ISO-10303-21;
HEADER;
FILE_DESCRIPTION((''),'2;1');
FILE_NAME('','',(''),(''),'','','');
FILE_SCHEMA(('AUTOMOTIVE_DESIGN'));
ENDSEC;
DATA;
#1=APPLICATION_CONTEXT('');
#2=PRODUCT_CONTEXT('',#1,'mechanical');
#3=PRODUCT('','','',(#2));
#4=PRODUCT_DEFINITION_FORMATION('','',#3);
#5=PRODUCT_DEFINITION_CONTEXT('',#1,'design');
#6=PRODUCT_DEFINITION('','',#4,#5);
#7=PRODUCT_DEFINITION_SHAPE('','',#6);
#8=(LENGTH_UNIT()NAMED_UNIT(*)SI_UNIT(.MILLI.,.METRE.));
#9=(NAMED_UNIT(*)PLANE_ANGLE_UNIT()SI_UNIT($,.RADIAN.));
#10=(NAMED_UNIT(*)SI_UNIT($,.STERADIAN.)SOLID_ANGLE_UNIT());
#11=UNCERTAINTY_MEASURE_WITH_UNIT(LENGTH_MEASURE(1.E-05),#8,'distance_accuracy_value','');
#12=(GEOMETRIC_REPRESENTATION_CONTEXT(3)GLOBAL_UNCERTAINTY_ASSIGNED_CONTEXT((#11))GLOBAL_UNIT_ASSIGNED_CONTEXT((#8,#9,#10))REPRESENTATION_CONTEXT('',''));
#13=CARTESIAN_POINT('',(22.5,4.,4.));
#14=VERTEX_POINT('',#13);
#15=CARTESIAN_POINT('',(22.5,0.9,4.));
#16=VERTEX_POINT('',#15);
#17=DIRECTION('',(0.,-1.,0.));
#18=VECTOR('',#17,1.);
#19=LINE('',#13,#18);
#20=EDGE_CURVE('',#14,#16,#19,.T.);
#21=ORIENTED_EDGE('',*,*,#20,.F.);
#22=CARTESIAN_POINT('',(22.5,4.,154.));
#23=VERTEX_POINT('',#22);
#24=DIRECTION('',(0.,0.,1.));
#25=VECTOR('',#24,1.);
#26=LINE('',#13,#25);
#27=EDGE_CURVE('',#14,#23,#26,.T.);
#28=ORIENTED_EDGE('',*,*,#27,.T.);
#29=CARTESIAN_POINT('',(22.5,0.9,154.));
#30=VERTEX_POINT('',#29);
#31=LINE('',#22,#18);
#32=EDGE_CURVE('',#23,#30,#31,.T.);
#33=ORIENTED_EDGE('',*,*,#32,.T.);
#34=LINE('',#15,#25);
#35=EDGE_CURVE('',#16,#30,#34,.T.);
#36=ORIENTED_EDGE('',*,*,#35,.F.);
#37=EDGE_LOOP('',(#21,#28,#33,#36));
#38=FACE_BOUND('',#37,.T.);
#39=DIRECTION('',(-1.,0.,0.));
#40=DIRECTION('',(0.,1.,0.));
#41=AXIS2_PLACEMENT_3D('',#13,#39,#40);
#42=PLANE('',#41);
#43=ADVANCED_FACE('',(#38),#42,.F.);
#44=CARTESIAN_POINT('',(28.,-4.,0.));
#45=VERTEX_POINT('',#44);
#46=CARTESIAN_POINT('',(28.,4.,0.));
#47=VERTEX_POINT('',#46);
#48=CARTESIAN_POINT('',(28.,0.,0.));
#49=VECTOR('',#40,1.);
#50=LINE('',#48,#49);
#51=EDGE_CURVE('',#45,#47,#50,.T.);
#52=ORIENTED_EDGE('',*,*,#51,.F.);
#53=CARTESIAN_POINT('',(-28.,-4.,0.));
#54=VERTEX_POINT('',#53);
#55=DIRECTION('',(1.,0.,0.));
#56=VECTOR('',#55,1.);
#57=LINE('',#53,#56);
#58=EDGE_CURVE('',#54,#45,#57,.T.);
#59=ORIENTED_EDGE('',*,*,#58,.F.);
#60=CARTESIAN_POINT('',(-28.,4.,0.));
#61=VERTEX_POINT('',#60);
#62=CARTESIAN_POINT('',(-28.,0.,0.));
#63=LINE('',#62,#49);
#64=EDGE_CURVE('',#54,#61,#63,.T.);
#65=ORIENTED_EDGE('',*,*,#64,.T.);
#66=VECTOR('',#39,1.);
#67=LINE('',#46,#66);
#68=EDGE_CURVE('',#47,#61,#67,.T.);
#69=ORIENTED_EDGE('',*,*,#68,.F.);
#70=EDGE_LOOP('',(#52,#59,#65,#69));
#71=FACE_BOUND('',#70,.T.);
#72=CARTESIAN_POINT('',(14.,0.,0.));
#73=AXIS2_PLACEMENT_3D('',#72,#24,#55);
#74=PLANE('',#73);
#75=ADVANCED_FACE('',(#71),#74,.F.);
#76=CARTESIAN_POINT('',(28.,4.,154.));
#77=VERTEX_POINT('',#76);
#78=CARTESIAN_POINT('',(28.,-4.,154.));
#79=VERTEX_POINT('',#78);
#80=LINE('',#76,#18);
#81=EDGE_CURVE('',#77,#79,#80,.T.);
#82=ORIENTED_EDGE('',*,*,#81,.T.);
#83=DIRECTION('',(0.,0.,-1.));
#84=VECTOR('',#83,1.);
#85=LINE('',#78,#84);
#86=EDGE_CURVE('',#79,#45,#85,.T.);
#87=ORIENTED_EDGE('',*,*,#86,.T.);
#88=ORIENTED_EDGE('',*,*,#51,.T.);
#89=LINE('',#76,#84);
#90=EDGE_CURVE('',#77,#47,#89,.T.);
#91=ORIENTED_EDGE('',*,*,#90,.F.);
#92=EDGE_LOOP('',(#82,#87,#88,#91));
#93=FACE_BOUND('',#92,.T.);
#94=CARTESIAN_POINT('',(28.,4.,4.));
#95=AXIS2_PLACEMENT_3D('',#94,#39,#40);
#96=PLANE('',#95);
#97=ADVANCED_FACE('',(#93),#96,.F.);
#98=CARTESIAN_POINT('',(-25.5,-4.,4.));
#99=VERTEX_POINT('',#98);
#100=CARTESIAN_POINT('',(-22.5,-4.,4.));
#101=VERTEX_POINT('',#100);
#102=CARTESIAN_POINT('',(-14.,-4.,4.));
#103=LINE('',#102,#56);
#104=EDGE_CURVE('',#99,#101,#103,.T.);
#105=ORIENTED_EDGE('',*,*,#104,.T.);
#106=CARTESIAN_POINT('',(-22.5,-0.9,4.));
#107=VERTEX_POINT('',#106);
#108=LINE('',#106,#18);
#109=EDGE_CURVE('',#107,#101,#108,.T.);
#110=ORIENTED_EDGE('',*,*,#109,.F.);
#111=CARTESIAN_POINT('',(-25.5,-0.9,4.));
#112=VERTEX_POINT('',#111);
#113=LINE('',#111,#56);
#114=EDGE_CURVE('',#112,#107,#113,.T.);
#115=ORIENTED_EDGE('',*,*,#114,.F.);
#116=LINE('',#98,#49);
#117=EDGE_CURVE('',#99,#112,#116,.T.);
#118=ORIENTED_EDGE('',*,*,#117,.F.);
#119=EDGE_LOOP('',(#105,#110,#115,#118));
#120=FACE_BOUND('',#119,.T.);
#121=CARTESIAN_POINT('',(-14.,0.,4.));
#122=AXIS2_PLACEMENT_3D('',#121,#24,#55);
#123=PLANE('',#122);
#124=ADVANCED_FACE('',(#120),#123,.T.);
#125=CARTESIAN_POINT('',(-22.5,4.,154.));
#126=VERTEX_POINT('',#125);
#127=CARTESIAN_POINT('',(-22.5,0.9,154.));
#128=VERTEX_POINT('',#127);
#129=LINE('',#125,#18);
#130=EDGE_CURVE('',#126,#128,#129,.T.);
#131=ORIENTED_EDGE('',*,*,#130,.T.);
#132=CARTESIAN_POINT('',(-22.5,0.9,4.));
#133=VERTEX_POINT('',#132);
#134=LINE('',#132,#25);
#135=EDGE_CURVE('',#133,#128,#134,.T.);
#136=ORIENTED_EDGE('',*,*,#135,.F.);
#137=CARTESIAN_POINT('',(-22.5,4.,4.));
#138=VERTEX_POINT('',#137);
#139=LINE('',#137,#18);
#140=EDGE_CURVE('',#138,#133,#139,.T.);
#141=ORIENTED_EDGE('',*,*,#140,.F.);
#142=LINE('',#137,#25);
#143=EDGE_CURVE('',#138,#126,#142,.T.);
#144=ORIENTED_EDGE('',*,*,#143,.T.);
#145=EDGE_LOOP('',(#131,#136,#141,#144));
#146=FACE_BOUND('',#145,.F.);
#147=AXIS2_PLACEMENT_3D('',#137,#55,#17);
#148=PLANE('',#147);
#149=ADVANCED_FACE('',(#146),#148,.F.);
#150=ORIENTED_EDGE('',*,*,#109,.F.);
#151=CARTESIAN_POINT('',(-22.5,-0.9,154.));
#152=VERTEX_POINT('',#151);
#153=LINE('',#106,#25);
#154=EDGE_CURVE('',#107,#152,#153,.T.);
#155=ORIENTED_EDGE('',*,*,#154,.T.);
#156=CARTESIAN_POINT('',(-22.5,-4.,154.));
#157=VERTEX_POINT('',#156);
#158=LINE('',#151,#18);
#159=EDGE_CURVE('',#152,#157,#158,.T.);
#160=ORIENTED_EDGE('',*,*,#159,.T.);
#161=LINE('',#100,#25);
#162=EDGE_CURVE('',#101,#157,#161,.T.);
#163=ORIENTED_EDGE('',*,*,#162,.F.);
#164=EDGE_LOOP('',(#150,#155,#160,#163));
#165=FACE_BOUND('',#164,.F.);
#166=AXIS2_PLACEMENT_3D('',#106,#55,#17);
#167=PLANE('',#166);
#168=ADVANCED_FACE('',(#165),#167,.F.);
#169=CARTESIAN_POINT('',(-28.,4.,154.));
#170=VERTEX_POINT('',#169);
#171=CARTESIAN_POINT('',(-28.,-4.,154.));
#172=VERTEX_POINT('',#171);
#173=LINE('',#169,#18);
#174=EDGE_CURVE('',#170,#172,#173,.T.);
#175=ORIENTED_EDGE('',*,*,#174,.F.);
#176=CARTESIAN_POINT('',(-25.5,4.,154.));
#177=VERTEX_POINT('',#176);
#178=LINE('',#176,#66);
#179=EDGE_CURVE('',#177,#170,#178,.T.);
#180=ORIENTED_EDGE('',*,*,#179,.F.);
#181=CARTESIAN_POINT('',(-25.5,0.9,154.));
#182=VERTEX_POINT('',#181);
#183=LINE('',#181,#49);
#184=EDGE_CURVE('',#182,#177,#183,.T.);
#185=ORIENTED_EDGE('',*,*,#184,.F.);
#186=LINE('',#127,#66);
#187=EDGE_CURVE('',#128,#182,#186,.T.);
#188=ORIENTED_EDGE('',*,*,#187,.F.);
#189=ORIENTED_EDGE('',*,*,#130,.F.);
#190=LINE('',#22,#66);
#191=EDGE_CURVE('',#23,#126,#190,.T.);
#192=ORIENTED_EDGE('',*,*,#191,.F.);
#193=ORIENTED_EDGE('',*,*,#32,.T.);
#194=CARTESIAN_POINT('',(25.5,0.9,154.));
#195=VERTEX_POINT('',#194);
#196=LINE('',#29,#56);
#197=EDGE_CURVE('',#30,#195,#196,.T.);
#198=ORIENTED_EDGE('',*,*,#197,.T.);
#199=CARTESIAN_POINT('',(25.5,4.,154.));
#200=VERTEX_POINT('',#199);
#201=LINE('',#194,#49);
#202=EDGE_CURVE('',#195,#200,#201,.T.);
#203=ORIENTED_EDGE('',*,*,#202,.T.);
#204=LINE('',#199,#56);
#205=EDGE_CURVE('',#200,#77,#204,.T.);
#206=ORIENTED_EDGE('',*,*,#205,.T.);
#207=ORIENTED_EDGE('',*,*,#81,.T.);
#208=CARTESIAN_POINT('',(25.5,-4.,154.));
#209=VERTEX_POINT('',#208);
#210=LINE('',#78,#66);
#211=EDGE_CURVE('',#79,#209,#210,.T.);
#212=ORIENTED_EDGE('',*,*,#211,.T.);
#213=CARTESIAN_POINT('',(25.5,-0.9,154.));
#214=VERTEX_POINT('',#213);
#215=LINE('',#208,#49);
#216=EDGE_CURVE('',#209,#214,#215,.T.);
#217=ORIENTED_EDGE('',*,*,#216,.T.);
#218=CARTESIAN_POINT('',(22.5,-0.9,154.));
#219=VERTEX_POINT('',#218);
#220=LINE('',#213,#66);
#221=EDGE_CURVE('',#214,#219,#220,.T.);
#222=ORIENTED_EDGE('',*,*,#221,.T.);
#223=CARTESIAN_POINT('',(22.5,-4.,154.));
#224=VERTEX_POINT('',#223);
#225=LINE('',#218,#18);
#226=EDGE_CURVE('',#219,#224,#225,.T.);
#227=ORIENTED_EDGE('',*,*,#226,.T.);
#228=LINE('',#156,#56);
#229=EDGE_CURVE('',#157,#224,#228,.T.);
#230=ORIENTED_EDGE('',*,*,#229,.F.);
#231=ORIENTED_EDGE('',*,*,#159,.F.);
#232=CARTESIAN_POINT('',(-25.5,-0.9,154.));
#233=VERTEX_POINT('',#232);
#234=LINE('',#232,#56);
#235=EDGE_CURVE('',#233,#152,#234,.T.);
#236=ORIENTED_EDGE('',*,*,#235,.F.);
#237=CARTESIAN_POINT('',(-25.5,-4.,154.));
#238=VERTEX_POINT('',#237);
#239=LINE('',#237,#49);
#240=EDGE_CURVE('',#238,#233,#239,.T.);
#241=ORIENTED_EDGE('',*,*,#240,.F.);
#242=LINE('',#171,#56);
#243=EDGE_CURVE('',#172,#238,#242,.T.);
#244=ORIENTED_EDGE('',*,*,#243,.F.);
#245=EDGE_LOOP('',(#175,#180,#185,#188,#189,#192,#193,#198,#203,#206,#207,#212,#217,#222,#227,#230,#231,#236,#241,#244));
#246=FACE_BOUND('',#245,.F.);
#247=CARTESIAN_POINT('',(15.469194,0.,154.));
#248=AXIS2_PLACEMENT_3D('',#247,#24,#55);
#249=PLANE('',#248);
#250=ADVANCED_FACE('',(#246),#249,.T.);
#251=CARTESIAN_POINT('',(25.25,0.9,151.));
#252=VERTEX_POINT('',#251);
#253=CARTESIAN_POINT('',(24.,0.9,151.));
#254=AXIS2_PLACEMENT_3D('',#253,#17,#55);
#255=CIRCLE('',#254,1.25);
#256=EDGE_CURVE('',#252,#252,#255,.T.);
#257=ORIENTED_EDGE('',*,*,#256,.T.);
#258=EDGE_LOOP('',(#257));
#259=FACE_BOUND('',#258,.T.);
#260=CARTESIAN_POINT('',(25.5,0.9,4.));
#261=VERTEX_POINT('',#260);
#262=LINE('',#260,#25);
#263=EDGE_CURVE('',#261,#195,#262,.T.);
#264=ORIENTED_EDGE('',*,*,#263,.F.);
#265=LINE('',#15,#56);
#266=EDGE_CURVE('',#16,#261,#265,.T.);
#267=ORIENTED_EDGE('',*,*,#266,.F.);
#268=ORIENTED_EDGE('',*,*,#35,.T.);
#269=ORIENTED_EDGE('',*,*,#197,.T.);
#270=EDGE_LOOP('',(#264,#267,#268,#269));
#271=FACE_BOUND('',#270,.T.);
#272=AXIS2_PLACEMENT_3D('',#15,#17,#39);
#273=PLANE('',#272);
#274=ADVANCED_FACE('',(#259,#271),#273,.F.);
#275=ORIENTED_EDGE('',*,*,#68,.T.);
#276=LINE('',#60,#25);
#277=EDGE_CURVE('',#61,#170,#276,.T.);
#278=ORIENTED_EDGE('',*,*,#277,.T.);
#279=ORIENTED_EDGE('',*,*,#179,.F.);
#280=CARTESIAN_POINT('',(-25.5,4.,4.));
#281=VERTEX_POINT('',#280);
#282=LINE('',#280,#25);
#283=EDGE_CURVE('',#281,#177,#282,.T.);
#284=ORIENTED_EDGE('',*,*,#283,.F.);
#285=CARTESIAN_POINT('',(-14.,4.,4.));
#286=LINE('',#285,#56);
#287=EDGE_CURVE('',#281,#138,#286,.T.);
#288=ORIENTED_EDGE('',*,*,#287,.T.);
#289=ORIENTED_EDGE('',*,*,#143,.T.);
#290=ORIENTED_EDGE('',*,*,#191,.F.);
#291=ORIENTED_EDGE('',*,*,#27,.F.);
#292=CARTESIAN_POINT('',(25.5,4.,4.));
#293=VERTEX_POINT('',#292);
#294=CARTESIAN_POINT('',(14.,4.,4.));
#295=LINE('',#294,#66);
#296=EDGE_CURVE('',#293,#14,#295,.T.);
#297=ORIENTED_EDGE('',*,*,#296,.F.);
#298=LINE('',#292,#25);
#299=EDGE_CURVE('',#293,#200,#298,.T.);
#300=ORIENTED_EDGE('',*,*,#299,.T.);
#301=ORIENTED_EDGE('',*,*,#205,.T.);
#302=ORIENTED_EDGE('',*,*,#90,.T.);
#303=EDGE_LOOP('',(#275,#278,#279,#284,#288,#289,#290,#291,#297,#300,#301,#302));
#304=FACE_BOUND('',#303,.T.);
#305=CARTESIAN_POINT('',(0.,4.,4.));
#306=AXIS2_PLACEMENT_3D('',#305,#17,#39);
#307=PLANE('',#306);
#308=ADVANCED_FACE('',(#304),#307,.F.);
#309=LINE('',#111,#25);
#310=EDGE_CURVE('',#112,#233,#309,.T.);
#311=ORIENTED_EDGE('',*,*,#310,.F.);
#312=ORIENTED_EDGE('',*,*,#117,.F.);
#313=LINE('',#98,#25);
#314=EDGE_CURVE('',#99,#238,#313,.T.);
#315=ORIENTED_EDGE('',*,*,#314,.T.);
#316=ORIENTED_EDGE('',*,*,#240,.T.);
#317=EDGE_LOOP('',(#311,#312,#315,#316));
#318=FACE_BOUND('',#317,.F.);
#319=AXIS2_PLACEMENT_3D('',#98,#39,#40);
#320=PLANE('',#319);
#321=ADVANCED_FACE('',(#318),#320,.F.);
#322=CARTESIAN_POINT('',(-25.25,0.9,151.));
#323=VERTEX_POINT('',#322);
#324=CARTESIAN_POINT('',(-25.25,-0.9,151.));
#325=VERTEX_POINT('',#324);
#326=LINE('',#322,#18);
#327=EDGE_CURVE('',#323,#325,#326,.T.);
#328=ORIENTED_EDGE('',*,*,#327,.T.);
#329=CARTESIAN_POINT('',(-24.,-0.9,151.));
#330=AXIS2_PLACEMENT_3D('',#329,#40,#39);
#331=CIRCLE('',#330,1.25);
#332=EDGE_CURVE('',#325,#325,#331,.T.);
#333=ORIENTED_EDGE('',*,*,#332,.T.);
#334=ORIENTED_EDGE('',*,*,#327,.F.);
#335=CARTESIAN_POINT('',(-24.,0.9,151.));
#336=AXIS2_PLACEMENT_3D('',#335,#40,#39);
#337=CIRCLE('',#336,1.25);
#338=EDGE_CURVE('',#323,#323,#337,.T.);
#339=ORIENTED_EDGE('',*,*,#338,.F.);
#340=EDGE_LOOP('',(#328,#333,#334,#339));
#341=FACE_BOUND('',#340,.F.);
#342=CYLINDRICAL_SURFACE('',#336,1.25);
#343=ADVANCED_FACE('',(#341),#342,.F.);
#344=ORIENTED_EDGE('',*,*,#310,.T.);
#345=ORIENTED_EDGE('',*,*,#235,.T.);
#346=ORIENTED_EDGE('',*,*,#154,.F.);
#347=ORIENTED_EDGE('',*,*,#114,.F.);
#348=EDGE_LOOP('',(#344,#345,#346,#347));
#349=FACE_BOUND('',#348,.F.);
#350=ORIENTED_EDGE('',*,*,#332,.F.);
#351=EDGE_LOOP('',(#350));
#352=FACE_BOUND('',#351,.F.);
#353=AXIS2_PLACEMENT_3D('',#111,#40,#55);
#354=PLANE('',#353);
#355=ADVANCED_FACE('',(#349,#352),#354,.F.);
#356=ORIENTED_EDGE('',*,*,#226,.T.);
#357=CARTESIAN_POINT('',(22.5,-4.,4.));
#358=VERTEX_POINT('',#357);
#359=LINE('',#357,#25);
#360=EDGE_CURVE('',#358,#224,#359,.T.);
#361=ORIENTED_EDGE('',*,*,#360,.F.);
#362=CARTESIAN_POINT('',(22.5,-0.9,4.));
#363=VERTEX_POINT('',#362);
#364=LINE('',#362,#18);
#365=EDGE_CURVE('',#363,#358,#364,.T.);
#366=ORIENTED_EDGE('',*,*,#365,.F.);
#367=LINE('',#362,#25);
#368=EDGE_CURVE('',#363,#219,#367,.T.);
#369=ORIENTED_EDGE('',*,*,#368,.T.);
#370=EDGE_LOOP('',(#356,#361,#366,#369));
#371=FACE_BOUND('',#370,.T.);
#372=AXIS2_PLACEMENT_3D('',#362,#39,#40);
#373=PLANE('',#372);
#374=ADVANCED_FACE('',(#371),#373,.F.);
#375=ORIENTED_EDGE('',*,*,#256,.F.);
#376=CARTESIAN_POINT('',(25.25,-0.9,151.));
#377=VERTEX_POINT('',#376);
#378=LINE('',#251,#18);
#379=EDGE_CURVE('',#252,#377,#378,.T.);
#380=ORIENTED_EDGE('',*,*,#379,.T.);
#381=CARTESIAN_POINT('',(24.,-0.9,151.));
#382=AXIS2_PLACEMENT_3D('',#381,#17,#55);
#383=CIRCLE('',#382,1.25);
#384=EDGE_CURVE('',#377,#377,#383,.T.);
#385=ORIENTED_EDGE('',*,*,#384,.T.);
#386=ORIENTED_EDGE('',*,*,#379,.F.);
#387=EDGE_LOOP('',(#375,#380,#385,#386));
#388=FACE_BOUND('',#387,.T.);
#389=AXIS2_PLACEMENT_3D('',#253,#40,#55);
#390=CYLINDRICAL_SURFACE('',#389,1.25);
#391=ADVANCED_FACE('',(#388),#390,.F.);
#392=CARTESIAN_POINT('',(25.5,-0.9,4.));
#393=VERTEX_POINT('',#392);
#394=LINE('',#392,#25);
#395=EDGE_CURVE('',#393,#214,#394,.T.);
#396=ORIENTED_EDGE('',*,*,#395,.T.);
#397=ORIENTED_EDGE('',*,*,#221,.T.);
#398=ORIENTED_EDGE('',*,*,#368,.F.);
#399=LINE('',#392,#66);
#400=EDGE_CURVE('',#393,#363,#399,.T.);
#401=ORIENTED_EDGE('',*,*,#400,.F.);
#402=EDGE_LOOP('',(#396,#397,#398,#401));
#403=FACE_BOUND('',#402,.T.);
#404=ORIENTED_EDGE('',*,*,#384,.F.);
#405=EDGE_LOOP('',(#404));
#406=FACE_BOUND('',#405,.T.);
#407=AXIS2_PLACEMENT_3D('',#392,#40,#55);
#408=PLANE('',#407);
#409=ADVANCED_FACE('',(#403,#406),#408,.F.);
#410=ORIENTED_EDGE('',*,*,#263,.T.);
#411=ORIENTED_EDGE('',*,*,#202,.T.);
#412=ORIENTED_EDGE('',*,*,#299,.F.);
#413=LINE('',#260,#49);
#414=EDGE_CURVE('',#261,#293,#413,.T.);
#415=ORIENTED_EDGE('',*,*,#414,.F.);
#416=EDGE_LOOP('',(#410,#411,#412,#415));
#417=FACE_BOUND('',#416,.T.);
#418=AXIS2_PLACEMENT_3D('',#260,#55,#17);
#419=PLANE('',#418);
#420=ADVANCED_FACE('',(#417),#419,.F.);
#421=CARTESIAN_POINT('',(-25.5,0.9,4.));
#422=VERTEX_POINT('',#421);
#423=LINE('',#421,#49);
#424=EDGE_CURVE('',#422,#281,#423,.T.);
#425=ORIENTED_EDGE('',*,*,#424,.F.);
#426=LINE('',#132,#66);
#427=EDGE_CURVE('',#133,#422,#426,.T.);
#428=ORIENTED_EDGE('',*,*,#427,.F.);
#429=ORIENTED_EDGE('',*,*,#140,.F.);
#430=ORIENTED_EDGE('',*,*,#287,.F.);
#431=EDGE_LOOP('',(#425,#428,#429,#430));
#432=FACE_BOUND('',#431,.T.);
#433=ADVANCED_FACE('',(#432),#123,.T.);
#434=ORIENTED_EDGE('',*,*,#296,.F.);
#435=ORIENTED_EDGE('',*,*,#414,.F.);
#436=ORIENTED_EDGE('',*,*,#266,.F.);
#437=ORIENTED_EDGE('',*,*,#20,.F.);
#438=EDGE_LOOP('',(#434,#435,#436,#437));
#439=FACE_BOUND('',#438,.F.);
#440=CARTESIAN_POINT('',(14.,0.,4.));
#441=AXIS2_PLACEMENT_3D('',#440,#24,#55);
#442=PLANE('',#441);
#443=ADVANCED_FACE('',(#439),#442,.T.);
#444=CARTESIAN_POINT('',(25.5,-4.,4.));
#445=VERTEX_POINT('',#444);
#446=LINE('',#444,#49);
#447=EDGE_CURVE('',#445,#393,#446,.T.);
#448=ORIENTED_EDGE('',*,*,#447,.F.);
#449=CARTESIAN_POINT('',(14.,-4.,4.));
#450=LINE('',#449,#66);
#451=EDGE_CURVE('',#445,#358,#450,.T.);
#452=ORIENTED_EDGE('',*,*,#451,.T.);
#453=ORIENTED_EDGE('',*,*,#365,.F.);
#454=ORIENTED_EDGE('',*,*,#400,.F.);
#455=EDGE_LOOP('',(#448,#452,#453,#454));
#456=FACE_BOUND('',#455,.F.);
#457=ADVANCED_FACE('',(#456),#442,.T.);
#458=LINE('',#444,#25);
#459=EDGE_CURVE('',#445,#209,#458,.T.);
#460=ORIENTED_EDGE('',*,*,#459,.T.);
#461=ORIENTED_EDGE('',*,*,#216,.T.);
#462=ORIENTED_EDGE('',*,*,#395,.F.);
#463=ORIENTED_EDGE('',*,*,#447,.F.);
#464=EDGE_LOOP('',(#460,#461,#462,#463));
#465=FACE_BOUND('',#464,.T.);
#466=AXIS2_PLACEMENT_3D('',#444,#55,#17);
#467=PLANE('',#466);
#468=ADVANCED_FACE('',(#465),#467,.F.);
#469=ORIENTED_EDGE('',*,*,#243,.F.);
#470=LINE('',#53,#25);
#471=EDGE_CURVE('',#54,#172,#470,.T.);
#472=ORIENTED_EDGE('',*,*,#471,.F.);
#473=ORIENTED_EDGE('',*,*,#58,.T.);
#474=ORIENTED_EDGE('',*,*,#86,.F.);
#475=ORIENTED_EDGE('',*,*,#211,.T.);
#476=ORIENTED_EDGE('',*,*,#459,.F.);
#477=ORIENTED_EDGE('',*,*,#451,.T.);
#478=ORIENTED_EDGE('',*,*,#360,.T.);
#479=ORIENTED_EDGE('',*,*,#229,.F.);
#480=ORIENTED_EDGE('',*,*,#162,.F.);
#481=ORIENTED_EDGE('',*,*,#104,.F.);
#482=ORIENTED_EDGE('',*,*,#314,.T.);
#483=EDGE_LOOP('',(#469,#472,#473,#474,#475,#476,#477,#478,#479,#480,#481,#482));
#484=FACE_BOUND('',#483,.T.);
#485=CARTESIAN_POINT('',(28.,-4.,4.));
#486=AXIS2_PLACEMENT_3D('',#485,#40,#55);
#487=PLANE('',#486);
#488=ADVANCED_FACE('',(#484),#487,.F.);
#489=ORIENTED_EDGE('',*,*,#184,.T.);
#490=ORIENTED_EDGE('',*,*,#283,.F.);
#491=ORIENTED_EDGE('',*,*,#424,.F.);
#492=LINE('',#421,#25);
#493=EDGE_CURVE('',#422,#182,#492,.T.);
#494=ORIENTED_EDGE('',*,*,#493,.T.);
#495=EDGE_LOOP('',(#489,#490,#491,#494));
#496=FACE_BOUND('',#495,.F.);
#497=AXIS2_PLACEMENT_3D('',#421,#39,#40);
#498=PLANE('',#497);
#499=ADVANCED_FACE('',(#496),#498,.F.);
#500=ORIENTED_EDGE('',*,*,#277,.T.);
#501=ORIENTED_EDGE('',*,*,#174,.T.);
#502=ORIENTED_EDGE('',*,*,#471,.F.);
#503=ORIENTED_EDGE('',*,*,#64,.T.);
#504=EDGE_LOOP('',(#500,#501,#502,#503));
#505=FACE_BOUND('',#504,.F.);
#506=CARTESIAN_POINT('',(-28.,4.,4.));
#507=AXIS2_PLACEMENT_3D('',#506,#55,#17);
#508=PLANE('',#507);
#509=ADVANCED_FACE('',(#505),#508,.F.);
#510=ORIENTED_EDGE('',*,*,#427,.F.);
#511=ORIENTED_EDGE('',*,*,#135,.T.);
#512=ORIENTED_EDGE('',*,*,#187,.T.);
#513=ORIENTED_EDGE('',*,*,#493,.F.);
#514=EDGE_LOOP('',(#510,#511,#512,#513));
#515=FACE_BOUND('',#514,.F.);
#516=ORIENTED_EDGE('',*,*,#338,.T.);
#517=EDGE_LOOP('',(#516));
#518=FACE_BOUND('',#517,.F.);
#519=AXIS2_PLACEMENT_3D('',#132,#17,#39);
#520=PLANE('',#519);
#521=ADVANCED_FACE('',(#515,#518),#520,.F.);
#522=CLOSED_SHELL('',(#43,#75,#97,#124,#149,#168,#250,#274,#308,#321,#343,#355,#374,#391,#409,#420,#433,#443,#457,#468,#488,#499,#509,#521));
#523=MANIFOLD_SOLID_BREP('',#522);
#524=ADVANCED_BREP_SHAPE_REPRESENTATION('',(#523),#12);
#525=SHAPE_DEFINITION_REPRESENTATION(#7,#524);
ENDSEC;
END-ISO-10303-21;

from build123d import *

# Parameters (mm, degrees)
SKETCH_W     = 28
SKETCH_H     = 8
PAD_DEPTH    = 4
PAD001_DEPTH = 150
SKETCH002_R  = 1.25
POCKET_DEPTH = 1.8


with BuildPart() as part:
    # Sketch → Pad (new body)
    with BuildSketch(Plane.XY):
        with Locations((-14, 0)):
            Rectangle(SKETCH_W, SKETCH_H)
    pad = extrude(amount=PAD_DEPTH)

    # Sketch001 (on Face6 of Pad) → Pad001 (join)
    with BuildSketch(Plane.XY.offset(4)):
        Polygon((-22.5, 0.9), (-25.5, 0.9), (-25.5, 4), (-28, 4), (-28, -4), (-25.5, -4), (-25.5, -0.9), (-22.5, -0.9), (-22.5, -4), (0, -4), (0, 4), (-22.5, 4), align=None)
    pad001 = extrude(amount=PAD001_DEPTH)

    # Sketch002 (on Face14 of Pad001) → Pocket (cut)
    with BuildSketch(Plane(origin=(0, 0.9, 0), x_dir=(-1, 0, 0), z_dir=(0, 1, 0))):
        with Locations((24, 151)):
            Circle(SKETCH002_R)
    pocket = extrude(amount=-POCKET_DEPTH, mode=Mode.SUBTRACT)

    # Mirrored: Pad, Pad001, Pocket across Sketch V_Axis
    add(pad.mirror(Plane(origin=(0, 0, 0), x_dir=(0, 0, 1), z_dir=(1, 0, 0))))
    add(pad001.mirror(Plane(origin=(0, 0, 0), x_dir=(0, 0, 1), z_dir=(1, 0, 0))))
    add(pocket.mirror(Plane(origin=(0, 0, 0), x_dir=(0, 0, 1), z_dir=(1, 0, 0))), mode=Mode.SUBTRACT)


solid = part.part
